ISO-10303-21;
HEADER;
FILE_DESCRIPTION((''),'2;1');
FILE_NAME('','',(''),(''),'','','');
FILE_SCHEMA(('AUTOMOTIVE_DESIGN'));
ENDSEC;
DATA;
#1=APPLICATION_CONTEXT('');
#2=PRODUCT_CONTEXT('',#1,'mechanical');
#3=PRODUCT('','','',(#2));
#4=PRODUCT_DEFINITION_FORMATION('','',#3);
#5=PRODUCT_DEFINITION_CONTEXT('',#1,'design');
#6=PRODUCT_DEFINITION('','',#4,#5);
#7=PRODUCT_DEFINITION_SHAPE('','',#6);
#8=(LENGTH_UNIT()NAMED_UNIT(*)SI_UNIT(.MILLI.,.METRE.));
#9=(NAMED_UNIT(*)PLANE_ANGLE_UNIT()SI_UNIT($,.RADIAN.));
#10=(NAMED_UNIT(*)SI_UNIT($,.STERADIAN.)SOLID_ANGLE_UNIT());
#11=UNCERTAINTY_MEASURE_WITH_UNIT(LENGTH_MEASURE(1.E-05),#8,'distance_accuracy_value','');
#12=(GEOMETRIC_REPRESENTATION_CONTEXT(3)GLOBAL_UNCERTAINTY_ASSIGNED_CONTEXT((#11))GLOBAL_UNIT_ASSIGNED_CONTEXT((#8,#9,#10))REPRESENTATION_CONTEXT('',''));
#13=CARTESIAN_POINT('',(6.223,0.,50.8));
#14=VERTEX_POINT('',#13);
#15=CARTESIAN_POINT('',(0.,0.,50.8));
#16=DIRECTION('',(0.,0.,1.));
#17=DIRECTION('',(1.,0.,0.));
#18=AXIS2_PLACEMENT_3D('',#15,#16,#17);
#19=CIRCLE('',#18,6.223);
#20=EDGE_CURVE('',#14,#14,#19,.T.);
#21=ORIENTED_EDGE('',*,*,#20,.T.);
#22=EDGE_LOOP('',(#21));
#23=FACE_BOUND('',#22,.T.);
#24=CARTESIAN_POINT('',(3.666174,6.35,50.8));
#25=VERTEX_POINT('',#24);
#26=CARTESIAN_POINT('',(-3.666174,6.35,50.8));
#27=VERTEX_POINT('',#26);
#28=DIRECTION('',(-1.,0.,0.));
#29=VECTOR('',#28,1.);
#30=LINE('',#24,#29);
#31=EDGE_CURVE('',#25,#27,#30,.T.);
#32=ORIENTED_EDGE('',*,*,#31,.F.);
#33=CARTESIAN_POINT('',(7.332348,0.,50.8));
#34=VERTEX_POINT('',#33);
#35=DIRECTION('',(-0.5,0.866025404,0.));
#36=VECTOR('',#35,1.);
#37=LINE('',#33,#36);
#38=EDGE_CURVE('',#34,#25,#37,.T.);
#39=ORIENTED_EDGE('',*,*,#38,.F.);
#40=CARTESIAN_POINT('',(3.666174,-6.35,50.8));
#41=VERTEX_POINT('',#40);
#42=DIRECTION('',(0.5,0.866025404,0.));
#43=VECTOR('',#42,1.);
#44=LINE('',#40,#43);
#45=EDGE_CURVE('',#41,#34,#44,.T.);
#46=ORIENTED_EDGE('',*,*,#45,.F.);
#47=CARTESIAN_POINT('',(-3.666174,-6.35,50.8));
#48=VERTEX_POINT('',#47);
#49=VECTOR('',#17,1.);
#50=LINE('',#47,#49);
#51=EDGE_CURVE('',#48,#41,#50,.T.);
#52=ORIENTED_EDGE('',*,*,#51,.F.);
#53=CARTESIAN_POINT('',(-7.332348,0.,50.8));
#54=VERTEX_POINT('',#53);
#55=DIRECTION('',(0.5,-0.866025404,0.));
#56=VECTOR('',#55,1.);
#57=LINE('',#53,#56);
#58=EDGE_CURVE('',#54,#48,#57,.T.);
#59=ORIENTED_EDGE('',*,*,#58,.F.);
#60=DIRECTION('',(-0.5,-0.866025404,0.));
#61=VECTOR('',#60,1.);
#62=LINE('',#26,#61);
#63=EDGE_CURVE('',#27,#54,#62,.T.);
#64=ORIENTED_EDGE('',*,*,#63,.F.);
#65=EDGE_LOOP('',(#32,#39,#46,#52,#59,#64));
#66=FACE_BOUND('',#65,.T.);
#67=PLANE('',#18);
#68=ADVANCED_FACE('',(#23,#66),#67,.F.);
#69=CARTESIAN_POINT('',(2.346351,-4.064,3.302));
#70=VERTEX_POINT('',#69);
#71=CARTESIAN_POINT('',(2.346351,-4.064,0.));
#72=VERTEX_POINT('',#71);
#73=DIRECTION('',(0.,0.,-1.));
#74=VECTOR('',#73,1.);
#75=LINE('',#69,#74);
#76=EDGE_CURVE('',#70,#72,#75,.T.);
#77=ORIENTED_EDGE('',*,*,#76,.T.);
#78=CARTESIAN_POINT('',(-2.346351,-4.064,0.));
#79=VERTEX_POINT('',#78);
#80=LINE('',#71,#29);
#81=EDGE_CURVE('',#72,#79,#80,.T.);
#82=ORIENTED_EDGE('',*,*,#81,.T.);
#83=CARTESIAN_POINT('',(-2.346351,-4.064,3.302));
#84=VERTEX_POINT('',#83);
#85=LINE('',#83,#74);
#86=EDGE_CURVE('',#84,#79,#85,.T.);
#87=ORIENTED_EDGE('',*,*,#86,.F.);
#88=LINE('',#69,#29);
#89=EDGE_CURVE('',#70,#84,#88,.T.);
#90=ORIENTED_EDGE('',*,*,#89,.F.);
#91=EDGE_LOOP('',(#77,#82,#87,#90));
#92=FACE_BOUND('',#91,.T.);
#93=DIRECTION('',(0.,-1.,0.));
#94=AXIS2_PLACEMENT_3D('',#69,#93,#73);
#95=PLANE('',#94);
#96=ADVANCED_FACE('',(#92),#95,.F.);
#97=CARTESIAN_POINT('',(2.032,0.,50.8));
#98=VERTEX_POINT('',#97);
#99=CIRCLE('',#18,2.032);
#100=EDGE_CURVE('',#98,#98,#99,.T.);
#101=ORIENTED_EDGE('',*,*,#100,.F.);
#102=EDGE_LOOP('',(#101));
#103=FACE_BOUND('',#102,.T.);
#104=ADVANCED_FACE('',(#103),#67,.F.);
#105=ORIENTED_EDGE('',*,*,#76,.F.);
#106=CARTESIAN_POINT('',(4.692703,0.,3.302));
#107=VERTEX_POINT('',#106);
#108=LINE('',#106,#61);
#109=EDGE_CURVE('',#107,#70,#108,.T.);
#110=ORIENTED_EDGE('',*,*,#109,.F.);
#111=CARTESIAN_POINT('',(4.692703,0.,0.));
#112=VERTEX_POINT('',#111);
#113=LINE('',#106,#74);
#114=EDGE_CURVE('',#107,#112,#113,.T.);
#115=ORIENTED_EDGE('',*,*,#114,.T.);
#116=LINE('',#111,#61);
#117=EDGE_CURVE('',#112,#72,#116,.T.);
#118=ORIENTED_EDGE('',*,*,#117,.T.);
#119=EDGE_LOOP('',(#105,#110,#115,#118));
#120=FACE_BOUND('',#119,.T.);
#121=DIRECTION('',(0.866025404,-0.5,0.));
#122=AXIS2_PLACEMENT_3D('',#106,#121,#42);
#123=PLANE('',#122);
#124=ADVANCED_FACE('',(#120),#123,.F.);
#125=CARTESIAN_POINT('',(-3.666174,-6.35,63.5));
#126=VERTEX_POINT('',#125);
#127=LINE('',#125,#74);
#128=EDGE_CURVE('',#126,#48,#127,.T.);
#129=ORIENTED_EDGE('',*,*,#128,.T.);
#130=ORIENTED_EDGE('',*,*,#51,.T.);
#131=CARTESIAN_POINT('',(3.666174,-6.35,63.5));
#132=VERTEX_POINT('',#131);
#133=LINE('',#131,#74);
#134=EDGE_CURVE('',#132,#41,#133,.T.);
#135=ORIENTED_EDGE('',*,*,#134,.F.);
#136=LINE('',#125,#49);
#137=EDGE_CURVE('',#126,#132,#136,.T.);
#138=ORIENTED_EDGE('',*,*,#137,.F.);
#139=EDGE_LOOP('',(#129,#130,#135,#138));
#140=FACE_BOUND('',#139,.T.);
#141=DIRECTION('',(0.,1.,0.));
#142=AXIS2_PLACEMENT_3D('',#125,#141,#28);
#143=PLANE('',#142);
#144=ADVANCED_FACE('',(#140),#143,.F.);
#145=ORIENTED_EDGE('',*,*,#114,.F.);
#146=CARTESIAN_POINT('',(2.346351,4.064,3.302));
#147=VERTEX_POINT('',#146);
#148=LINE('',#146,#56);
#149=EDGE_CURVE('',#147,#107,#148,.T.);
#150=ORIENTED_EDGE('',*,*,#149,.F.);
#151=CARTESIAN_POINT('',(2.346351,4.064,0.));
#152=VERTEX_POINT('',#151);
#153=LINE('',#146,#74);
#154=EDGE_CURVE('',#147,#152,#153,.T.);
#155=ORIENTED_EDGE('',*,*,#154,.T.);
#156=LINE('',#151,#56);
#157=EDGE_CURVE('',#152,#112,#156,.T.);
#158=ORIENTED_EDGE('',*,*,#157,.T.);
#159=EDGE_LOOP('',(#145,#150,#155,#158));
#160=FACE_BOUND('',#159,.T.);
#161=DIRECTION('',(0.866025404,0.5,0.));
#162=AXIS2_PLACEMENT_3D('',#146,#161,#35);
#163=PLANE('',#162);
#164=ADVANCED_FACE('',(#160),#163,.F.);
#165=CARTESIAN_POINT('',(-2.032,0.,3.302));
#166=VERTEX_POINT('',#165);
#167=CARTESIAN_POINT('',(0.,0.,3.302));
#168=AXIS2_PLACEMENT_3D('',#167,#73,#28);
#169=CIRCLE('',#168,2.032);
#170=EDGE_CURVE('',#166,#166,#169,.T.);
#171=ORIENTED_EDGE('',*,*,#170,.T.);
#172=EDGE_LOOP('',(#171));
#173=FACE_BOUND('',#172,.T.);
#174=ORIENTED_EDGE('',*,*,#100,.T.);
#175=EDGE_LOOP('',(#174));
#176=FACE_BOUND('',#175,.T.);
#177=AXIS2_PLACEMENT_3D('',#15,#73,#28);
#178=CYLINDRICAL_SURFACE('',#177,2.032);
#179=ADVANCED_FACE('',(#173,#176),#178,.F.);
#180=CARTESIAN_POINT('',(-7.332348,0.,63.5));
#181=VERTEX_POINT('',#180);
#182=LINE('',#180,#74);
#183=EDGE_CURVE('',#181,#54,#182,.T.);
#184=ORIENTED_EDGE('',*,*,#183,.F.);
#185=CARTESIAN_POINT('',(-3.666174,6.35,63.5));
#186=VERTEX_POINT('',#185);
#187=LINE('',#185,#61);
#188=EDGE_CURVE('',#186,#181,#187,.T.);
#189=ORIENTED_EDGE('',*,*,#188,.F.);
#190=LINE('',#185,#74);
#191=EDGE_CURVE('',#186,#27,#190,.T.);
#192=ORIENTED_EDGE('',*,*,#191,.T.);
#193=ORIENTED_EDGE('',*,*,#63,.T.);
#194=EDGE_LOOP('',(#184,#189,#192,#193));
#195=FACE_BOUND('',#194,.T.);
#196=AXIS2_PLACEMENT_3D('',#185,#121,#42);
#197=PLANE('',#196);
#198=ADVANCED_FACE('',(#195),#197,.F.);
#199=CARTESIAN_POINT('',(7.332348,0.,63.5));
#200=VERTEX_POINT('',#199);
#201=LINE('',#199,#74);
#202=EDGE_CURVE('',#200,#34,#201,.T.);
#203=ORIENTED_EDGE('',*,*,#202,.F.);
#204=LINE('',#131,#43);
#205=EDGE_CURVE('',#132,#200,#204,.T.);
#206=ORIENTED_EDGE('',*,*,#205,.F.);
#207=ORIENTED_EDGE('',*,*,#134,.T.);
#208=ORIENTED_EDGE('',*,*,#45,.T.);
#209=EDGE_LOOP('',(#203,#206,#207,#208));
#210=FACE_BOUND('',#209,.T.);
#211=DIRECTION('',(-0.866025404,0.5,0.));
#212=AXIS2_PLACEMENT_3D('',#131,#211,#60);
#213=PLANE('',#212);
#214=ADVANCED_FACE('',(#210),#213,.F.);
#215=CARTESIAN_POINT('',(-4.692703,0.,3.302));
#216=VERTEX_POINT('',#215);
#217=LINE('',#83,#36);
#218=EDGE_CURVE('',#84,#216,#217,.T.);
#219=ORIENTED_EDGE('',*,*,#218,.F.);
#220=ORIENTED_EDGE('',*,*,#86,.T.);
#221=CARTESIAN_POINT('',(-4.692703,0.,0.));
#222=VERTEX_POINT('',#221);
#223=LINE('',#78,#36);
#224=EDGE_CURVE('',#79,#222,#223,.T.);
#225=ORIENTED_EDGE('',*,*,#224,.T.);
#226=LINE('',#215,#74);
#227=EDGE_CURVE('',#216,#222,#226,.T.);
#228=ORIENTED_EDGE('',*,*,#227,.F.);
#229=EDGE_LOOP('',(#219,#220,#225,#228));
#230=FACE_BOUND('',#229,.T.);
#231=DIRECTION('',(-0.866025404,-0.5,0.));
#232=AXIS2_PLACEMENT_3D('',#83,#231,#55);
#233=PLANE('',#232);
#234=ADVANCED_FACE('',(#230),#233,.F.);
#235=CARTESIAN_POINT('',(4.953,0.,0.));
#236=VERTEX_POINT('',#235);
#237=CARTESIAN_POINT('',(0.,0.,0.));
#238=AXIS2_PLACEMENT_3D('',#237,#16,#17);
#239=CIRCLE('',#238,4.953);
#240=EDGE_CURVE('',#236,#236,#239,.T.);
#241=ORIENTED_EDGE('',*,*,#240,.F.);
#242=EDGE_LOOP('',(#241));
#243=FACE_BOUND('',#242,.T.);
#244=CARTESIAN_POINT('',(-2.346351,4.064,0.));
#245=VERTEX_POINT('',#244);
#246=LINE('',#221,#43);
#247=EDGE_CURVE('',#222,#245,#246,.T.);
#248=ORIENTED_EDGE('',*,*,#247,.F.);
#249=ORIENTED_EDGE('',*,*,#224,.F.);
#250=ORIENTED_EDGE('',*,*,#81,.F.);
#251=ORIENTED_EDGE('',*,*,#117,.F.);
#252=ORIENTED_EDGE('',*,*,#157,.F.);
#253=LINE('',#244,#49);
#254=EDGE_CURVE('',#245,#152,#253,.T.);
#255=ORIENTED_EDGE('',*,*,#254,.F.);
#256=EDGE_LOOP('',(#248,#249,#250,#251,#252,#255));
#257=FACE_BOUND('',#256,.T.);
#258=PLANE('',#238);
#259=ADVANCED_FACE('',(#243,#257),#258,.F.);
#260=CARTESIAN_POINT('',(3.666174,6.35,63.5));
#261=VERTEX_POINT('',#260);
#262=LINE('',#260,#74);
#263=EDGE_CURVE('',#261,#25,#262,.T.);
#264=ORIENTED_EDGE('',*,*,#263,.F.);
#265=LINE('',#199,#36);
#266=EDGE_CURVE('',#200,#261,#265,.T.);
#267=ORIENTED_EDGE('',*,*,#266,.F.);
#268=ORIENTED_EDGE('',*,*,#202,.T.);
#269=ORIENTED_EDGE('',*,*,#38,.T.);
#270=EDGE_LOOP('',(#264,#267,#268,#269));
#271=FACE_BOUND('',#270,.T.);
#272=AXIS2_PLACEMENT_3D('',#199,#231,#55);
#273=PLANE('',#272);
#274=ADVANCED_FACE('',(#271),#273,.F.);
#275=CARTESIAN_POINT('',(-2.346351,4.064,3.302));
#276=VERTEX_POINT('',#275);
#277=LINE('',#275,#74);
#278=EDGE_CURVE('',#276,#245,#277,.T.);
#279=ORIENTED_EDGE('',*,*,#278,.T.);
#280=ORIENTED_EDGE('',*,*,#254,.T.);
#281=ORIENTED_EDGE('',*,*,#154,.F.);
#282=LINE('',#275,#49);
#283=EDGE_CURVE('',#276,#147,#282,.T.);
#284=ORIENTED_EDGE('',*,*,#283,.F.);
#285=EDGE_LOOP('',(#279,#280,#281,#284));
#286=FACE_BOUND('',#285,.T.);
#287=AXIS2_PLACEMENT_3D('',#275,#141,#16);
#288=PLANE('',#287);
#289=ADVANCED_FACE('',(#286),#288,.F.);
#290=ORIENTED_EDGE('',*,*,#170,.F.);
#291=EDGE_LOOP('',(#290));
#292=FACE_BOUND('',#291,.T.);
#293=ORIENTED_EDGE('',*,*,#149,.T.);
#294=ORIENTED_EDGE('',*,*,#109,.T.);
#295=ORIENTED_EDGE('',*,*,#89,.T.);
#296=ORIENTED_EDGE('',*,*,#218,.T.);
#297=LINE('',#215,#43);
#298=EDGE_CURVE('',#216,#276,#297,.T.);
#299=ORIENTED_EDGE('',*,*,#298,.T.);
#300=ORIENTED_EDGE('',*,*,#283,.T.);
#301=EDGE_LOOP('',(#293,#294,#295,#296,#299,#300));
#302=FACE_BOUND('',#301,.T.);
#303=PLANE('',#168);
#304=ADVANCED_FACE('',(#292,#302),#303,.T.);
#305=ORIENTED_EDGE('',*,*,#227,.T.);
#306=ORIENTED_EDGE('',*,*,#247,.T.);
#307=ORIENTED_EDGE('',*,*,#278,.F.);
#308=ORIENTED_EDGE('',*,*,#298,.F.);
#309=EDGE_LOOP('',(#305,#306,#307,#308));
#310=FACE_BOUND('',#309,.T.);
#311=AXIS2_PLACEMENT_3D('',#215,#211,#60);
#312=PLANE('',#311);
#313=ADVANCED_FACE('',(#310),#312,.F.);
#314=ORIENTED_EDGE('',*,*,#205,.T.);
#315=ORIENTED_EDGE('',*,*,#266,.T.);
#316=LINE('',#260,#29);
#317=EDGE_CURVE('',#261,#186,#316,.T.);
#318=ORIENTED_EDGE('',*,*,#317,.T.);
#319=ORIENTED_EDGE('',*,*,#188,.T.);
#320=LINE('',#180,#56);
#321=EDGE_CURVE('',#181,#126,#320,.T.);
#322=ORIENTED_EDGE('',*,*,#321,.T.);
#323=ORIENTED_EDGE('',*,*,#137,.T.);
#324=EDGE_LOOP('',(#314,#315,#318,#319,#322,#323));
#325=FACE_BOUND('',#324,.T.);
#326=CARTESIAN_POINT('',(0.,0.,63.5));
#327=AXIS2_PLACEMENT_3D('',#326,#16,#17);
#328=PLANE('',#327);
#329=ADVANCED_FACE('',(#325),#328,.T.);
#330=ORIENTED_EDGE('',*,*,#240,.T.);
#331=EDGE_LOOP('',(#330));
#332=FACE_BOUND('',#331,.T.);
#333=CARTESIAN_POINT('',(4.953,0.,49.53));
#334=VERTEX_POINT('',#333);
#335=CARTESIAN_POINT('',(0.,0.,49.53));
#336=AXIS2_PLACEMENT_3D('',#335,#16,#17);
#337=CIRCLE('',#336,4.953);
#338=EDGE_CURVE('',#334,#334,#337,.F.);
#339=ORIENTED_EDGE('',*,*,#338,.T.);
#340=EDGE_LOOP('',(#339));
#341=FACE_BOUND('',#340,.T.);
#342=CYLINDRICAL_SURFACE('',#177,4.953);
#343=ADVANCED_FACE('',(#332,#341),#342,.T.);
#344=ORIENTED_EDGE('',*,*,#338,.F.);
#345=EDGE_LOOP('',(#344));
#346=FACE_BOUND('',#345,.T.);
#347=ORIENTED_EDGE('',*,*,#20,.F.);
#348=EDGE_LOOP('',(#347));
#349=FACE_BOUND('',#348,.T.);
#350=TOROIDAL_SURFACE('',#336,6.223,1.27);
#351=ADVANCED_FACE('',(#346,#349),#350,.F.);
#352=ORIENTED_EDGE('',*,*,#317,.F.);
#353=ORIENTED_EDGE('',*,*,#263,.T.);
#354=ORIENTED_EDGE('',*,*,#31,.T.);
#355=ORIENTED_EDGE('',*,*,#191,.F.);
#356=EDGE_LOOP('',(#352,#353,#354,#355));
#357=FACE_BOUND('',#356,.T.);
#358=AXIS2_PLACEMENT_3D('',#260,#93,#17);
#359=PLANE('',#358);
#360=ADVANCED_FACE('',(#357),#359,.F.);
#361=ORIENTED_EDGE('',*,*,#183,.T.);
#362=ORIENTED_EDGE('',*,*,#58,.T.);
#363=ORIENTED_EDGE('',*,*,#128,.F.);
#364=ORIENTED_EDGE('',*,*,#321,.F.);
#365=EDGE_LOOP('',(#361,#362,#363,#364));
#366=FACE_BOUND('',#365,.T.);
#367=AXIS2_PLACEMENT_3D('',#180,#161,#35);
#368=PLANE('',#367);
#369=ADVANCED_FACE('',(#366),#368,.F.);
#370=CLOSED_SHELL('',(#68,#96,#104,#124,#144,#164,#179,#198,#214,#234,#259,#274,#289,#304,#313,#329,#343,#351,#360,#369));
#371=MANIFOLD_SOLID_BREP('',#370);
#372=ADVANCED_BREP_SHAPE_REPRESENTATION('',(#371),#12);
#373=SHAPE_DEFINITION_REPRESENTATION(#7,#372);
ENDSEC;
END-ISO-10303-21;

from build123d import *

# Parameters (mm, degrees)
SKETCH2_R           = 4.953
SKETCH2_R_2         = 2.032
BOSS_EXTRUDE1_DEPTH = 50.8
CUT_EXTRUDE1_DEPTH  = 3.302
BOSS_EXTRUDE2_DEPTH = 12.7
FILLET1_R           = 1.27


with BuildPart() as part:
    # Sketch2 → Boss-Extrude1 (new body)
    with BuildSketch(Plane.XY):
        Circle(SKETCH2_R)
        Circle(SKETCH2_R_2, mode=Mode.SUBTRACT)
    extrude(amount=BOSS_EXTRUDE1_DEPTH)

    # Sketch3 → Cut-Extrude1 (cut)
    with BuildSketch(Plane(origin=(0, 0, 0), x_dir=(-1, 0, 0), z_dir=(0, 0, -1))):
        Polygon((4.692702988, 0), (2.346351494, 4.064), (-2.346351494, 4.064), (-4.692702988, 0), (-2.346351494, -4.064), (2.346351494, -4.064), align=None)
    extrude(amount=-CUT_EXTRUDE1_DEPTH, mode=Mode.SUBTRACT)

    # Sketch4 → Boss-Extrude2 (add)
    with BuildSketch(Plane.XY.offset(50.8)):
        Polygon((7.332348419, 0), (3.666174209, 6.35), (-3.666174209, 6.35), (-7.332348419, 0), (-3.666174209, -6.35), (3.666174209, -6.35), align=None)
    extrude(amount=BOSS_EXTRUDE2_DEPTH)

    # Fillet1
    fillet1_edges = [part.edges().sort_by_distance(p)[0] for p in [
        (-4.953, 0, 50.8),
    ]]
    fillet(fillet1_edges, radius=FILLET1_R)


solid = part.part
